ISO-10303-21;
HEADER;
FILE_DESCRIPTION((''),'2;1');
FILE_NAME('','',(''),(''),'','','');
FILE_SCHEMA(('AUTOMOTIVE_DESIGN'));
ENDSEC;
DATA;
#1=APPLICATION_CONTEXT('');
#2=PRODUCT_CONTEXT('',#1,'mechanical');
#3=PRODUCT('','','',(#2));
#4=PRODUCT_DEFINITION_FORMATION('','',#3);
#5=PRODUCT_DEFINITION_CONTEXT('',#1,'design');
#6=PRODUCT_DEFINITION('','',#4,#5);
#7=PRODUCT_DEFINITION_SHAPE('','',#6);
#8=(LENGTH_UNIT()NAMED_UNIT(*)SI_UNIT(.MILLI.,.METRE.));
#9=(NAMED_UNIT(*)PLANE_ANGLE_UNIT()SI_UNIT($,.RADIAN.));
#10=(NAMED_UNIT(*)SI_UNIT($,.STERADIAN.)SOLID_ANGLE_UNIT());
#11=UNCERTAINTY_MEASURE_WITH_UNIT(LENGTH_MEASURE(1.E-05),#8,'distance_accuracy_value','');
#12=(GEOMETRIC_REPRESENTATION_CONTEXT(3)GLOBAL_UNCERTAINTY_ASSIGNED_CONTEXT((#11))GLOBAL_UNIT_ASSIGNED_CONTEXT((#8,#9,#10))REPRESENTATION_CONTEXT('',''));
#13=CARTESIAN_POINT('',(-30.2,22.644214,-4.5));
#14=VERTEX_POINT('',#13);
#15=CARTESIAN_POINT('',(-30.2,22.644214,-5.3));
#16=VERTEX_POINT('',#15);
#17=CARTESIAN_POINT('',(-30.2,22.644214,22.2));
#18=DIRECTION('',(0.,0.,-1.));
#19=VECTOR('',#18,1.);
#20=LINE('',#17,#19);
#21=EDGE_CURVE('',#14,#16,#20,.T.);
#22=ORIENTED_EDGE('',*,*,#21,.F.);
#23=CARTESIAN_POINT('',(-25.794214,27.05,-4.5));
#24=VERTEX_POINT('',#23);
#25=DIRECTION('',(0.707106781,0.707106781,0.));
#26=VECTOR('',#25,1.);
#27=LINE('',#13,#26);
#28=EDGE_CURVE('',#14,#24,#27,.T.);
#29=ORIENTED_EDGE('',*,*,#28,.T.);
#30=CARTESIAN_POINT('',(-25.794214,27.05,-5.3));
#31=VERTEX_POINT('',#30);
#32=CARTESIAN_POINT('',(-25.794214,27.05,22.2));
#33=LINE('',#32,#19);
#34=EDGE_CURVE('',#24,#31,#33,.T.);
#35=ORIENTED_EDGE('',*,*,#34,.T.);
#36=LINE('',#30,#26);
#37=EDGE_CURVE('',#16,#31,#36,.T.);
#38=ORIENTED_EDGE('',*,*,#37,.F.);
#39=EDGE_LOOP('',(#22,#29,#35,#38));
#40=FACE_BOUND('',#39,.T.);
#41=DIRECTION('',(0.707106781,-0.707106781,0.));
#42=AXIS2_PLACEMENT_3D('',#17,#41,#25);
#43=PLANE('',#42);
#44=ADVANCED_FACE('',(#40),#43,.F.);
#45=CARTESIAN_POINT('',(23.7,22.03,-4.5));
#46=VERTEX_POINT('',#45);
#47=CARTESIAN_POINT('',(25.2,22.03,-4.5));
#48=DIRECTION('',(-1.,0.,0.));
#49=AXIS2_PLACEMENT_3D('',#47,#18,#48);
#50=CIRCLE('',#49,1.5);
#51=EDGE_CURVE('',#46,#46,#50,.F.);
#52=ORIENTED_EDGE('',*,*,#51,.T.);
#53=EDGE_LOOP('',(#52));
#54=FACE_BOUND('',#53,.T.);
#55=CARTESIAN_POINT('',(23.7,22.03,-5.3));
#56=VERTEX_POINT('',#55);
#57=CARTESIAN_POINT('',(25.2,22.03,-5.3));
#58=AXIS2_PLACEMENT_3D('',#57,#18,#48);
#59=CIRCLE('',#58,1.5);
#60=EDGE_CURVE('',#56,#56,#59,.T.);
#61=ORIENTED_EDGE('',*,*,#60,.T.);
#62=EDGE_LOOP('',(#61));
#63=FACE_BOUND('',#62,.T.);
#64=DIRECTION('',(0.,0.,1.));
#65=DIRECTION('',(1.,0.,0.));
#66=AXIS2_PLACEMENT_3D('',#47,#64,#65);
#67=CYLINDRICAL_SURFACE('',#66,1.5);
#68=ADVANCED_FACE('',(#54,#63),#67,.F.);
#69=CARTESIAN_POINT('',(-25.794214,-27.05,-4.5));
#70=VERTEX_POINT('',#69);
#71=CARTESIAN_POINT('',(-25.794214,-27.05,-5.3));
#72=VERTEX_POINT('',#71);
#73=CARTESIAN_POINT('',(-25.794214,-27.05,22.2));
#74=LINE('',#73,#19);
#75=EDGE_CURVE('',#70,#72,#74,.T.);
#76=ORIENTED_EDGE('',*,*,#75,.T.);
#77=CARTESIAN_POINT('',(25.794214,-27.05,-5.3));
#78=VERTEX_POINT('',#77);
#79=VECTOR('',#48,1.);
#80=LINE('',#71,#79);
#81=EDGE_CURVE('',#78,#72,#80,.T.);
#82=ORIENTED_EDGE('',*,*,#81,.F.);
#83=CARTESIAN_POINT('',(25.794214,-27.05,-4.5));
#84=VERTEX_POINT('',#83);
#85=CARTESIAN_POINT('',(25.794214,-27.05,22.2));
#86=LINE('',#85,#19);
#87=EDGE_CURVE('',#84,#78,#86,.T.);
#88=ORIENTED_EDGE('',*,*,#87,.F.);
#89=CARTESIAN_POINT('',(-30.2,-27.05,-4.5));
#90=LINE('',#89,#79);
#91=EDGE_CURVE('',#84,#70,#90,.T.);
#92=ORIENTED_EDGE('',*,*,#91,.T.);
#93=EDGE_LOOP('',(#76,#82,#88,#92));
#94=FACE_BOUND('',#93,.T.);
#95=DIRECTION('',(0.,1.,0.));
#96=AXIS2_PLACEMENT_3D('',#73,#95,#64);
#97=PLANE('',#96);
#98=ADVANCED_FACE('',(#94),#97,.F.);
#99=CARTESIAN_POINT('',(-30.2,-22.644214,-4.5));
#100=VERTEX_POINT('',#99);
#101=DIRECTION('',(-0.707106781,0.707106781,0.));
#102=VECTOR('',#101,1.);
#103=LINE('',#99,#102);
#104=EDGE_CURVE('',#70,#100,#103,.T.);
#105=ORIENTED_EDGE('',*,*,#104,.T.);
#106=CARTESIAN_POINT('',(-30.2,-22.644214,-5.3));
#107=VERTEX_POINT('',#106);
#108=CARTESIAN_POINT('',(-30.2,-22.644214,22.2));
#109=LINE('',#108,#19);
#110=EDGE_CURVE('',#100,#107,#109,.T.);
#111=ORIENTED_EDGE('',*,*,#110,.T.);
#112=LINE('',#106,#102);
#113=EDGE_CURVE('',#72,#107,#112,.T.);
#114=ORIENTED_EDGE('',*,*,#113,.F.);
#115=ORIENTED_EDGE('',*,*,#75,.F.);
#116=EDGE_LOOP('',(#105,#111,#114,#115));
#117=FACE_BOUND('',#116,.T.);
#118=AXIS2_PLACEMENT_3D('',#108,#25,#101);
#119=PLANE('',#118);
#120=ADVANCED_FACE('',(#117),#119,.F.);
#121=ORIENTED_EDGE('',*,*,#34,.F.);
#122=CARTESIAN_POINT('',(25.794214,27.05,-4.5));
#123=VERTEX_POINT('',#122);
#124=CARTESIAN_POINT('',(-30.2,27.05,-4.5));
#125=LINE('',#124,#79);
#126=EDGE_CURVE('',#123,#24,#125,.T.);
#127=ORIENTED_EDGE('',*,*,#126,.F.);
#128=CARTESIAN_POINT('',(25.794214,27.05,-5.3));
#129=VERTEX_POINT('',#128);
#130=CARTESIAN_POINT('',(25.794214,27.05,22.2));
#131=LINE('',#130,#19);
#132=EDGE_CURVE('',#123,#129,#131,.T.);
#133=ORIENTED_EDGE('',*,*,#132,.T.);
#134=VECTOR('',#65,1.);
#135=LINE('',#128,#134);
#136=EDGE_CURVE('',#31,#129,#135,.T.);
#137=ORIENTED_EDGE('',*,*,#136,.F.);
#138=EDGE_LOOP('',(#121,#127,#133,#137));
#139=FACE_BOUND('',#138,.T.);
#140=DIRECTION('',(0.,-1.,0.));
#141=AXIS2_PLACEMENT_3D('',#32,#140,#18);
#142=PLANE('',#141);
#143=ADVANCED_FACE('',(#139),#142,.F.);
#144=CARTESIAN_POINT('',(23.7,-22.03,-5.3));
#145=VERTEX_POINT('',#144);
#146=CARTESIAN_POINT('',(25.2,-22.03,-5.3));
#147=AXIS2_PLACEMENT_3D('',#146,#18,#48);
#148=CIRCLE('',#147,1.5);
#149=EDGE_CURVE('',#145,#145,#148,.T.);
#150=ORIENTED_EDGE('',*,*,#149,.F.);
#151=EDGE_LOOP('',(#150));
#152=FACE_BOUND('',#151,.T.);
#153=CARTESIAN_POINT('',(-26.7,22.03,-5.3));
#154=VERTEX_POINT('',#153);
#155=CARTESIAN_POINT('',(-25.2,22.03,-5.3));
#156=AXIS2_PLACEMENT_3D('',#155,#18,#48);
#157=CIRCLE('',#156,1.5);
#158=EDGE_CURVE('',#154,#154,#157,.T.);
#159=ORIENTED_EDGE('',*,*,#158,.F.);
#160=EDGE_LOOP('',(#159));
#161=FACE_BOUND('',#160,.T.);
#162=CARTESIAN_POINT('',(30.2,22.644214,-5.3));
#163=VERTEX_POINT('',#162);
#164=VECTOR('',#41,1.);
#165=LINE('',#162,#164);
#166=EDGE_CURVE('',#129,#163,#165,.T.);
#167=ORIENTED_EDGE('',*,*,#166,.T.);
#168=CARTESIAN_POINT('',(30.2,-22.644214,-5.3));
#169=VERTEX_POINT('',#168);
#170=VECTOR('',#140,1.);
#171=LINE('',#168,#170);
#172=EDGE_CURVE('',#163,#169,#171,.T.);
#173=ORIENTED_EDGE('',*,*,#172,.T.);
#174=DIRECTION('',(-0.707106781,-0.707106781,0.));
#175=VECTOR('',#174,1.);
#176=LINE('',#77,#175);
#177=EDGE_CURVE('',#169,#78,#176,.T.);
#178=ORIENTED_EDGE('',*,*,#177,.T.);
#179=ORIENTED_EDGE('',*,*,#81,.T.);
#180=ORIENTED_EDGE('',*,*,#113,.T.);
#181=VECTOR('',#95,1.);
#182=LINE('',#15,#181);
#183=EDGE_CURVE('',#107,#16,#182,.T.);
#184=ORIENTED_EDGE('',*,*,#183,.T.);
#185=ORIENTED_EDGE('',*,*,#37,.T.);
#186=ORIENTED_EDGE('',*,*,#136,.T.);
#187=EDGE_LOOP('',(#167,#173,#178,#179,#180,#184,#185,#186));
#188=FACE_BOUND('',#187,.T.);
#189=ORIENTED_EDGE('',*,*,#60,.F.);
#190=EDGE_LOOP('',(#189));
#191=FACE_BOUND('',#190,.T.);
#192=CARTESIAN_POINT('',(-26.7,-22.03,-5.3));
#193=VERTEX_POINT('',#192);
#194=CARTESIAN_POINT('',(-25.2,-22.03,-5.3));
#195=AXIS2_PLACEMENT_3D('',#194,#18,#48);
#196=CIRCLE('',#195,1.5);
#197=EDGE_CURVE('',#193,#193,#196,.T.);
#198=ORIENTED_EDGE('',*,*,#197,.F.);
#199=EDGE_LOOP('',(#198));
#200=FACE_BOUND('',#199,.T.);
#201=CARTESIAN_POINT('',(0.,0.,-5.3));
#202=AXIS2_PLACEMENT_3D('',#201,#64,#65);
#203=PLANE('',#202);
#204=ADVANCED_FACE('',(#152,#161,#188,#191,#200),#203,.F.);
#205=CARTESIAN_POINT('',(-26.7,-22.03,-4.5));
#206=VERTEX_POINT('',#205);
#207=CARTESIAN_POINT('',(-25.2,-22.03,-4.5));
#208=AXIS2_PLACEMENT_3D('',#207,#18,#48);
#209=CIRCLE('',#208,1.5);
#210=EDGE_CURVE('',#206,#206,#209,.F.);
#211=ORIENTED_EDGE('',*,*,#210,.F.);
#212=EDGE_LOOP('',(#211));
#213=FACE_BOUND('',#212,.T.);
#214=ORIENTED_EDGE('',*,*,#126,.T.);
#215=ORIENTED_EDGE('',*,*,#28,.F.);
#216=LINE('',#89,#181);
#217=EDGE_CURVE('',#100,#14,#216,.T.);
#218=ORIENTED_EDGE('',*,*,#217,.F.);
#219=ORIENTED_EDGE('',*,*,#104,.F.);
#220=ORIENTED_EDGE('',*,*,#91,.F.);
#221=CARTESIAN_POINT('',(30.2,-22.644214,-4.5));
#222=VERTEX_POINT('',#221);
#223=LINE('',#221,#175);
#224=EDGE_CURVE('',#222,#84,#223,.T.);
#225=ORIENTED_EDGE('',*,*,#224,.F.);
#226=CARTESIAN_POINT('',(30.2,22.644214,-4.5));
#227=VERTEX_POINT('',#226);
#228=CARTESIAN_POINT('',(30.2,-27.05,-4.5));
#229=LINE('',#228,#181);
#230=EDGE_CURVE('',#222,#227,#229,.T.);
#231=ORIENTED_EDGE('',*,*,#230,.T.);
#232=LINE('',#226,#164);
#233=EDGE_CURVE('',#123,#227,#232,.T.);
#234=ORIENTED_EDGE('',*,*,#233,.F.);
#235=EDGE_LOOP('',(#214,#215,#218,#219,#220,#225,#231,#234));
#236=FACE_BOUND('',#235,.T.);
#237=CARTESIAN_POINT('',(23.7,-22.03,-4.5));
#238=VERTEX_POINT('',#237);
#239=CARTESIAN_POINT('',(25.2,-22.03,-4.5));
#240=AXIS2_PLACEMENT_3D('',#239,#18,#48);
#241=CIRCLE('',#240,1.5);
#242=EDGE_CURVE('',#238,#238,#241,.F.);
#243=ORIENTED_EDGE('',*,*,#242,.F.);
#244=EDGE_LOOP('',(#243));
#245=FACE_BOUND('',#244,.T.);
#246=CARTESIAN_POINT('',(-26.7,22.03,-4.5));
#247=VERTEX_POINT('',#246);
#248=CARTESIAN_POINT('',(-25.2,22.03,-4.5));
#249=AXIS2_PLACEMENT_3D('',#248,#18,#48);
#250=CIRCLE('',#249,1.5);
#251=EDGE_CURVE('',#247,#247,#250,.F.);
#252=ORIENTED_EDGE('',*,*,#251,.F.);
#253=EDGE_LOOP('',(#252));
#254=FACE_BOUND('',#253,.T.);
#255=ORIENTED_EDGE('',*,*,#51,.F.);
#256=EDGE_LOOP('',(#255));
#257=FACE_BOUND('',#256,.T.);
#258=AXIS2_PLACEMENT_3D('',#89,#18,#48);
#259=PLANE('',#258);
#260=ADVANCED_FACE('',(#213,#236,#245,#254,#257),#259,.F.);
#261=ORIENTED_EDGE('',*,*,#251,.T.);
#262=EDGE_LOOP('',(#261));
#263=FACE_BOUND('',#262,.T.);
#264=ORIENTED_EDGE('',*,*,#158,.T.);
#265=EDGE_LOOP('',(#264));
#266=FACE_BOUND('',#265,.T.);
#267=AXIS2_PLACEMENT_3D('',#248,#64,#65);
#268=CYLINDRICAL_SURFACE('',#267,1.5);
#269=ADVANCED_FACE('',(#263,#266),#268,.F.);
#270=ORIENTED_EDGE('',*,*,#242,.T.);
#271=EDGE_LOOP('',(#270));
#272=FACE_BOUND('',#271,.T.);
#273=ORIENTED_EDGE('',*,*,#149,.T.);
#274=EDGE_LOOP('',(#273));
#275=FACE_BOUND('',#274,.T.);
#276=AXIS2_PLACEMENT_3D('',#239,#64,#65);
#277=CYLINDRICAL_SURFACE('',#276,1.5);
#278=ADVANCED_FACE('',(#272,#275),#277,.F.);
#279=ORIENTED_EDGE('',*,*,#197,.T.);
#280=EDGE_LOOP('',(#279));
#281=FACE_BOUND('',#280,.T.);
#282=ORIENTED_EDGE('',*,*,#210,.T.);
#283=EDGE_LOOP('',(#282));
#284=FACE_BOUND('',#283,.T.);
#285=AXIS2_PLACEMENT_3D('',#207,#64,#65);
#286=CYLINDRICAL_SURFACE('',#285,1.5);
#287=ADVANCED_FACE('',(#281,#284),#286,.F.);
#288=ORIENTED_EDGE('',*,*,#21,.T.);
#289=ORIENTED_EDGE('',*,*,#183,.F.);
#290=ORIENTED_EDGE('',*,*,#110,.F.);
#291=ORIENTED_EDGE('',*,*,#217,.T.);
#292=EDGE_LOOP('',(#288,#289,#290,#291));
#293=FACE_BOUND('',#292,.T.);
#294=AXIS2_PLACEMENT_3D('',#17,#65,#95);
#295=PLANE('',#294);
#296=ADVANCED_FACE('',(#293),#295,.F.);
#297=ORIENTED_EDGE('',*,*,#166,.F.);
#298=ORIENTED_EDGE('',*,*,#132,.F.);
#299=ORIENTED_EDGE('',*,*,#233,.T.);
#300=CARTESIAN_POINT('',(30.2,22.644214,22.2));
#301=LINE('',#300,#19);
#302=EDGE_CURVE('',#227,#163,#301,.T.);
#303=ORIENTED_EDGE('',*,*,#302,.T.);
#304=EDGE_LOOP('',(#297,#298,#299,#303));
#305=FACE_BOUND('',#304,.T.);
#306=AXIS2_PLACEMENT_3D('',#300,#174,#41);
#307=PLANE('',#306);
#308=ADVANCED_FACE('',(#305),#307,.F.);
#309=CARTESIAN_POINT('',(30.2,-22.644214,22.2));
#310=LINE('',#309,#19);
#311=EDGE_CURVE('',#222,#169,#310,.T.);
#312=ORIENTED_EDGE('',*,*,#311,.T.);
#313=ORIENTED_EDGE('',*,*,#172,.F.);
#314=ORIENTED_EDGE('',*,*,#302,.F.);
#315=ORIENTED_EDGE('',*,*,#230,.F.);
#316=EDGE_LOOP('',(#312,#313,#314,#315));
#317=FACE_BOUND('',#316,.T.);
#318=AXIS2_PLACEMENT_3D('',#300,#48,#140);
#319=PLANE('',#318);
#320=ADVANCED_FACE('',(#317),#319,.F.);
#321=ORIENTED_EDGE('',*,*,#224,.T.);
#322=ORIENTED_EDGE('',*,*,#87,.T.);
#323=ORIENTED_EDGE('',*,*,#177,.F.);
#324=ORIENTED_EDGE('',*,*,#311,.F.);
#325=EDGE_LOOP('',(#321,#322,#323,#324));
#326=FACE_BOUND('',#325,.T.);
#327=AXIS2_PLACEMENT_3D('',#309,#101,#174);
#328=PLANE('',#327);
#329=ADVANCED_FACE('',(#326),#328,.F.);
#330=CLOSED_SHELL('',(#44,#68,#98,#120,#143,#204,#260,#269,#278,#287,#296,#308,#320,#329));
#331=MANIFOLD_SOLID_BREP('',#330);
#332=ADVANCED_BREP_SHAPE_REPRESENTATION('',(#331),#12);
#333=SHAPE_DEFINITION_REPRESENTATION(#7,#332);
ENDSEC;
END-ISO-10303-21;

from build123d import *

# Parameters (mm, degrees)
EXTRUDE_1_DEPTH     = 22.2
EXTRUDE_2_DEPTH     = 4.5
SKETCH_3_R          = 1.5
CUT_EXTRUDE_1_DEPTH = 47.223181414
CUT_EXTRUDE_3_DEPTH = 3.7
CUT_EXTRUDE_4_REACH = 67.816
SKETCH_6_W          = 9
SKETCH_6_H          = 7.6
SKETCH_6_W_2        = 11
SKETCH_6_H_2        = 6
CUT_EXTRUDE_5_REACH = 67.816
SKETCH_7_W          = 5
SKETCH_7_H          = 5
SKETCH_8_R          = 1.5
EXTRUDE_3_DEPTH     = 0.8
SKETCH_10_W         = 60.4
SKETCH_10_H         = 26.7
CUT_EXTRUDE_7_DEPTH = 66.815575664


with BuildPart() as part:
    # 草圖1 → 填料-伸長1 (new body)
    with BuildSketch(Plane.XY):
        Polygon((-25.794213562, 27.05), (25.794213562, 27.05), (30.2, 22.644213562), (30.2, -22.644213562), (25.794213562, -27.05), (-25.794213562, -27.05), (-30.2, -22.644213562), (-30.2, 22.644213562), align=None)
        Polygon((-29.4, 22.312842712), (-25.462842712, 26.25), (25.462842712, 26.25), (29.4, 22.312842712), (29.4, -22.312842712), (25.462842712, -26.25), (-25.462842712, -26.25), (-29.4, -22.312842712), align=None, mode=Mode.SUBTRACT)
    extrude(amount=EXTRUDE_1_DEPTH)

    # 草圖2 → 填料-伸長2 (add)
    with BuildSketch(Plane(origin=(0, 0, 0), x_dir=(-1, 0, 0), z_dir=(0, 0, -1))):
        Polygon((-30.2, 22.644213562), (-25.794213562, 27.05), (25.794213562, 27.05), (30.2, 22.644213562), (30.2, -22.644213562), (25.794213562, -27.05), (-25.794213562, -27.05), (-30.2, -22.644213562), align=None)
    extrude(amount=EXTRUDE_2_DEPTH)

    # 草圖3 → 除料-伸長1 (cut, through all)
    with BuildSketch(Plane.XY):
        with Locations((25.2, 22.03)):
            Circle(SKETCH_3_R)
        with Locations(Location((25.2, -22.03, 0), (0, 0, 180))):
            Circle(SKETCH_3_R)
        with Locations((-25.2, -22.03)):
            Circle(SKETCH_3_R)
        with Locations(Location((-25.2, 22.03, 0), (0, 0, 180))):
            Circle(SKETCH_3_R)
    extrude(amount=-CUT_EXTRUDE_1_DEPTH, mode=Mode.SUBTRACT)

    # 草圖5 → 除料-伸長3 (cut)
    with BuildSketch(Plane.XY):
        with BuildLine():
            Line((-25.234050993, 18.530165643), (-25.234050993, -18.530165643))
            ThreePointArc((-25.234050993, -18.530165643), (-22.715358839, -19.564932394), (-21.700544406, -22.091729589))
            Line((-21.700544406, -22.091729589), (21.700544406, -22.091729589))
            ThreePointArc((21.700544406, -22.091729589), (22.737758998, -19.542557689), (25.297360416, -18.531354412))
            Line((25.297360416, -18.531354412), (25.297360416, 18.531354412))
            ThreePointArc((25.297360416, 18.531354412), (22.56426249, 19.727200014), (21.74608079, 22.596076045))
            Line((21.74608079, 22.596076045), (-21.74608079, 22.596076045))
            ThreePointArc((-21.74608079, 22.596076045), (-22.543539666, 19.751136578), (-25.234050993, 18.530165643))
        make_face()
    extrude(amount=-CUT_EXTRUDE_3_DEPTH, mode=Mode.SUBTRACT)

    # 草圖6 → 除料-伸長4 (cut, up to next)
    with BuildSketch(Plane.XZ.offset(27.05), mode=Mode.PRIVATE) as cut_extrude_4_sk1:
        with Locations((6.7, 4.9)):
            Rectangle(SKETCH_6_W, SKETCH_6_H)
    cut_extrude_4_tool1 = extrude(cut_extrude_4_sk1.sketch, amount=-CUT_EXTRUDE_4_REACH, mode=Mode.PRIVATE) & part.part
    # 草圖6 → 除料-伸長4 (cut, up to next)
    with BuildSketch(Plane.XZ.offset(27.05), mode=Mode.PRIVATE) as cut_extrude_4_sk2:
        with Locations((-11.7, 14.2)):
            Rectangle(SKETCH_6_W_2, SKETCH_6_H_2)
    cut_extrude_4_tool2 = extrude(cut_extrude_4_sk2.sketch, amount=-CUT_EXTRUDE_4_REACH, mode=Mode.PRIVATE) & part.part
    add(cut_extrude_4_tool1.solids().sort_by_distance((6.7, -27.05, 4.9))[0], mode=Mode.SUBTRACT)
    add(cut_extrude_4_tool2.solids().sort_by_distance((-11.7, -27.05, 14.2))[0], mode=Mode.SUBTRACT)

    # 草圖7 → 除料-伸長5 (cut, up to next)
    with BuildSketch(Plane(origin=(0, 27.05, 0), x_dir=(1, 0, 0), z_dir=(0, 1, 0)), mode=Mode.PRIVATE) as cut_extrude_5_sk1:
        with Locations((0, -8.85)):
            Rectangle(SKETCH_7_W, SKETCH_7_H)
    cut_extrude_5_tool1 = extrude(cut_extrude_5_sk1.sketch, amount=-CUT_EXTRUDE_5_REACH, mode=Mode.PRIVATE) & part.part
    add(cut_extrude_5_tool1.solids().sort_by_distance((0, 27.05, 8.85))[0], mode=Mode.SUBTRACT)

    # 草圖8 → 填料-伸長3 (add)
    with BuildSketch(Plane(origin=(0, 0, -4.5), x_dir=(-1, 0, 0), z_dir=(0, 0, -1))):
        Polygon((30.2, -22.644213562), (25.794213562, -27.05), (-25.794213562, -27.05), (-30.2, -22.644213562), (-30.2, 22.644213562), (-25.794213562, 27.05), (25.794213562, 27.05), (30.2, 22.644213562), align=None)
        with Locations(Location((25.2, -22.03, 0), (0, 0, 180))):
            Circle(SKETCH_8_R, mode=Mode.SUBTRACT)
        with Locations((-25.2, -22.03)):
            Circle(SKETCH_8_R, mode=Mode.SUBTRACT)
        with Locations(Location((-25.2, 22.03, 0), (0, 0, 180))):
            Circle(SKETCH_8_R, mode=Mode.SUBTRACT)
        with Locations((25.2, 22.03)):
            Circle(SKETCH_8_R, mode=Mode.SUBTRACT)
    extrude(amount=EXTRUDE_3_DEPTH)

    # 草圖10 → 除料-伸長7 (cut, through all)
    with BuildSketch(Plane(origin=(0, 27.05, 0), x_dir=(1, 0, 0), z_dir=(0, 1, 0))):
        with Locations((0, -8.85)):
            Rectangle(SKETCH_10_W, SKETCH_10_H)
    extrude(amount=-CUT_EXTRUDE_7_DEPTH, mode=Mode.SUBTRACT)


solid = part.part
